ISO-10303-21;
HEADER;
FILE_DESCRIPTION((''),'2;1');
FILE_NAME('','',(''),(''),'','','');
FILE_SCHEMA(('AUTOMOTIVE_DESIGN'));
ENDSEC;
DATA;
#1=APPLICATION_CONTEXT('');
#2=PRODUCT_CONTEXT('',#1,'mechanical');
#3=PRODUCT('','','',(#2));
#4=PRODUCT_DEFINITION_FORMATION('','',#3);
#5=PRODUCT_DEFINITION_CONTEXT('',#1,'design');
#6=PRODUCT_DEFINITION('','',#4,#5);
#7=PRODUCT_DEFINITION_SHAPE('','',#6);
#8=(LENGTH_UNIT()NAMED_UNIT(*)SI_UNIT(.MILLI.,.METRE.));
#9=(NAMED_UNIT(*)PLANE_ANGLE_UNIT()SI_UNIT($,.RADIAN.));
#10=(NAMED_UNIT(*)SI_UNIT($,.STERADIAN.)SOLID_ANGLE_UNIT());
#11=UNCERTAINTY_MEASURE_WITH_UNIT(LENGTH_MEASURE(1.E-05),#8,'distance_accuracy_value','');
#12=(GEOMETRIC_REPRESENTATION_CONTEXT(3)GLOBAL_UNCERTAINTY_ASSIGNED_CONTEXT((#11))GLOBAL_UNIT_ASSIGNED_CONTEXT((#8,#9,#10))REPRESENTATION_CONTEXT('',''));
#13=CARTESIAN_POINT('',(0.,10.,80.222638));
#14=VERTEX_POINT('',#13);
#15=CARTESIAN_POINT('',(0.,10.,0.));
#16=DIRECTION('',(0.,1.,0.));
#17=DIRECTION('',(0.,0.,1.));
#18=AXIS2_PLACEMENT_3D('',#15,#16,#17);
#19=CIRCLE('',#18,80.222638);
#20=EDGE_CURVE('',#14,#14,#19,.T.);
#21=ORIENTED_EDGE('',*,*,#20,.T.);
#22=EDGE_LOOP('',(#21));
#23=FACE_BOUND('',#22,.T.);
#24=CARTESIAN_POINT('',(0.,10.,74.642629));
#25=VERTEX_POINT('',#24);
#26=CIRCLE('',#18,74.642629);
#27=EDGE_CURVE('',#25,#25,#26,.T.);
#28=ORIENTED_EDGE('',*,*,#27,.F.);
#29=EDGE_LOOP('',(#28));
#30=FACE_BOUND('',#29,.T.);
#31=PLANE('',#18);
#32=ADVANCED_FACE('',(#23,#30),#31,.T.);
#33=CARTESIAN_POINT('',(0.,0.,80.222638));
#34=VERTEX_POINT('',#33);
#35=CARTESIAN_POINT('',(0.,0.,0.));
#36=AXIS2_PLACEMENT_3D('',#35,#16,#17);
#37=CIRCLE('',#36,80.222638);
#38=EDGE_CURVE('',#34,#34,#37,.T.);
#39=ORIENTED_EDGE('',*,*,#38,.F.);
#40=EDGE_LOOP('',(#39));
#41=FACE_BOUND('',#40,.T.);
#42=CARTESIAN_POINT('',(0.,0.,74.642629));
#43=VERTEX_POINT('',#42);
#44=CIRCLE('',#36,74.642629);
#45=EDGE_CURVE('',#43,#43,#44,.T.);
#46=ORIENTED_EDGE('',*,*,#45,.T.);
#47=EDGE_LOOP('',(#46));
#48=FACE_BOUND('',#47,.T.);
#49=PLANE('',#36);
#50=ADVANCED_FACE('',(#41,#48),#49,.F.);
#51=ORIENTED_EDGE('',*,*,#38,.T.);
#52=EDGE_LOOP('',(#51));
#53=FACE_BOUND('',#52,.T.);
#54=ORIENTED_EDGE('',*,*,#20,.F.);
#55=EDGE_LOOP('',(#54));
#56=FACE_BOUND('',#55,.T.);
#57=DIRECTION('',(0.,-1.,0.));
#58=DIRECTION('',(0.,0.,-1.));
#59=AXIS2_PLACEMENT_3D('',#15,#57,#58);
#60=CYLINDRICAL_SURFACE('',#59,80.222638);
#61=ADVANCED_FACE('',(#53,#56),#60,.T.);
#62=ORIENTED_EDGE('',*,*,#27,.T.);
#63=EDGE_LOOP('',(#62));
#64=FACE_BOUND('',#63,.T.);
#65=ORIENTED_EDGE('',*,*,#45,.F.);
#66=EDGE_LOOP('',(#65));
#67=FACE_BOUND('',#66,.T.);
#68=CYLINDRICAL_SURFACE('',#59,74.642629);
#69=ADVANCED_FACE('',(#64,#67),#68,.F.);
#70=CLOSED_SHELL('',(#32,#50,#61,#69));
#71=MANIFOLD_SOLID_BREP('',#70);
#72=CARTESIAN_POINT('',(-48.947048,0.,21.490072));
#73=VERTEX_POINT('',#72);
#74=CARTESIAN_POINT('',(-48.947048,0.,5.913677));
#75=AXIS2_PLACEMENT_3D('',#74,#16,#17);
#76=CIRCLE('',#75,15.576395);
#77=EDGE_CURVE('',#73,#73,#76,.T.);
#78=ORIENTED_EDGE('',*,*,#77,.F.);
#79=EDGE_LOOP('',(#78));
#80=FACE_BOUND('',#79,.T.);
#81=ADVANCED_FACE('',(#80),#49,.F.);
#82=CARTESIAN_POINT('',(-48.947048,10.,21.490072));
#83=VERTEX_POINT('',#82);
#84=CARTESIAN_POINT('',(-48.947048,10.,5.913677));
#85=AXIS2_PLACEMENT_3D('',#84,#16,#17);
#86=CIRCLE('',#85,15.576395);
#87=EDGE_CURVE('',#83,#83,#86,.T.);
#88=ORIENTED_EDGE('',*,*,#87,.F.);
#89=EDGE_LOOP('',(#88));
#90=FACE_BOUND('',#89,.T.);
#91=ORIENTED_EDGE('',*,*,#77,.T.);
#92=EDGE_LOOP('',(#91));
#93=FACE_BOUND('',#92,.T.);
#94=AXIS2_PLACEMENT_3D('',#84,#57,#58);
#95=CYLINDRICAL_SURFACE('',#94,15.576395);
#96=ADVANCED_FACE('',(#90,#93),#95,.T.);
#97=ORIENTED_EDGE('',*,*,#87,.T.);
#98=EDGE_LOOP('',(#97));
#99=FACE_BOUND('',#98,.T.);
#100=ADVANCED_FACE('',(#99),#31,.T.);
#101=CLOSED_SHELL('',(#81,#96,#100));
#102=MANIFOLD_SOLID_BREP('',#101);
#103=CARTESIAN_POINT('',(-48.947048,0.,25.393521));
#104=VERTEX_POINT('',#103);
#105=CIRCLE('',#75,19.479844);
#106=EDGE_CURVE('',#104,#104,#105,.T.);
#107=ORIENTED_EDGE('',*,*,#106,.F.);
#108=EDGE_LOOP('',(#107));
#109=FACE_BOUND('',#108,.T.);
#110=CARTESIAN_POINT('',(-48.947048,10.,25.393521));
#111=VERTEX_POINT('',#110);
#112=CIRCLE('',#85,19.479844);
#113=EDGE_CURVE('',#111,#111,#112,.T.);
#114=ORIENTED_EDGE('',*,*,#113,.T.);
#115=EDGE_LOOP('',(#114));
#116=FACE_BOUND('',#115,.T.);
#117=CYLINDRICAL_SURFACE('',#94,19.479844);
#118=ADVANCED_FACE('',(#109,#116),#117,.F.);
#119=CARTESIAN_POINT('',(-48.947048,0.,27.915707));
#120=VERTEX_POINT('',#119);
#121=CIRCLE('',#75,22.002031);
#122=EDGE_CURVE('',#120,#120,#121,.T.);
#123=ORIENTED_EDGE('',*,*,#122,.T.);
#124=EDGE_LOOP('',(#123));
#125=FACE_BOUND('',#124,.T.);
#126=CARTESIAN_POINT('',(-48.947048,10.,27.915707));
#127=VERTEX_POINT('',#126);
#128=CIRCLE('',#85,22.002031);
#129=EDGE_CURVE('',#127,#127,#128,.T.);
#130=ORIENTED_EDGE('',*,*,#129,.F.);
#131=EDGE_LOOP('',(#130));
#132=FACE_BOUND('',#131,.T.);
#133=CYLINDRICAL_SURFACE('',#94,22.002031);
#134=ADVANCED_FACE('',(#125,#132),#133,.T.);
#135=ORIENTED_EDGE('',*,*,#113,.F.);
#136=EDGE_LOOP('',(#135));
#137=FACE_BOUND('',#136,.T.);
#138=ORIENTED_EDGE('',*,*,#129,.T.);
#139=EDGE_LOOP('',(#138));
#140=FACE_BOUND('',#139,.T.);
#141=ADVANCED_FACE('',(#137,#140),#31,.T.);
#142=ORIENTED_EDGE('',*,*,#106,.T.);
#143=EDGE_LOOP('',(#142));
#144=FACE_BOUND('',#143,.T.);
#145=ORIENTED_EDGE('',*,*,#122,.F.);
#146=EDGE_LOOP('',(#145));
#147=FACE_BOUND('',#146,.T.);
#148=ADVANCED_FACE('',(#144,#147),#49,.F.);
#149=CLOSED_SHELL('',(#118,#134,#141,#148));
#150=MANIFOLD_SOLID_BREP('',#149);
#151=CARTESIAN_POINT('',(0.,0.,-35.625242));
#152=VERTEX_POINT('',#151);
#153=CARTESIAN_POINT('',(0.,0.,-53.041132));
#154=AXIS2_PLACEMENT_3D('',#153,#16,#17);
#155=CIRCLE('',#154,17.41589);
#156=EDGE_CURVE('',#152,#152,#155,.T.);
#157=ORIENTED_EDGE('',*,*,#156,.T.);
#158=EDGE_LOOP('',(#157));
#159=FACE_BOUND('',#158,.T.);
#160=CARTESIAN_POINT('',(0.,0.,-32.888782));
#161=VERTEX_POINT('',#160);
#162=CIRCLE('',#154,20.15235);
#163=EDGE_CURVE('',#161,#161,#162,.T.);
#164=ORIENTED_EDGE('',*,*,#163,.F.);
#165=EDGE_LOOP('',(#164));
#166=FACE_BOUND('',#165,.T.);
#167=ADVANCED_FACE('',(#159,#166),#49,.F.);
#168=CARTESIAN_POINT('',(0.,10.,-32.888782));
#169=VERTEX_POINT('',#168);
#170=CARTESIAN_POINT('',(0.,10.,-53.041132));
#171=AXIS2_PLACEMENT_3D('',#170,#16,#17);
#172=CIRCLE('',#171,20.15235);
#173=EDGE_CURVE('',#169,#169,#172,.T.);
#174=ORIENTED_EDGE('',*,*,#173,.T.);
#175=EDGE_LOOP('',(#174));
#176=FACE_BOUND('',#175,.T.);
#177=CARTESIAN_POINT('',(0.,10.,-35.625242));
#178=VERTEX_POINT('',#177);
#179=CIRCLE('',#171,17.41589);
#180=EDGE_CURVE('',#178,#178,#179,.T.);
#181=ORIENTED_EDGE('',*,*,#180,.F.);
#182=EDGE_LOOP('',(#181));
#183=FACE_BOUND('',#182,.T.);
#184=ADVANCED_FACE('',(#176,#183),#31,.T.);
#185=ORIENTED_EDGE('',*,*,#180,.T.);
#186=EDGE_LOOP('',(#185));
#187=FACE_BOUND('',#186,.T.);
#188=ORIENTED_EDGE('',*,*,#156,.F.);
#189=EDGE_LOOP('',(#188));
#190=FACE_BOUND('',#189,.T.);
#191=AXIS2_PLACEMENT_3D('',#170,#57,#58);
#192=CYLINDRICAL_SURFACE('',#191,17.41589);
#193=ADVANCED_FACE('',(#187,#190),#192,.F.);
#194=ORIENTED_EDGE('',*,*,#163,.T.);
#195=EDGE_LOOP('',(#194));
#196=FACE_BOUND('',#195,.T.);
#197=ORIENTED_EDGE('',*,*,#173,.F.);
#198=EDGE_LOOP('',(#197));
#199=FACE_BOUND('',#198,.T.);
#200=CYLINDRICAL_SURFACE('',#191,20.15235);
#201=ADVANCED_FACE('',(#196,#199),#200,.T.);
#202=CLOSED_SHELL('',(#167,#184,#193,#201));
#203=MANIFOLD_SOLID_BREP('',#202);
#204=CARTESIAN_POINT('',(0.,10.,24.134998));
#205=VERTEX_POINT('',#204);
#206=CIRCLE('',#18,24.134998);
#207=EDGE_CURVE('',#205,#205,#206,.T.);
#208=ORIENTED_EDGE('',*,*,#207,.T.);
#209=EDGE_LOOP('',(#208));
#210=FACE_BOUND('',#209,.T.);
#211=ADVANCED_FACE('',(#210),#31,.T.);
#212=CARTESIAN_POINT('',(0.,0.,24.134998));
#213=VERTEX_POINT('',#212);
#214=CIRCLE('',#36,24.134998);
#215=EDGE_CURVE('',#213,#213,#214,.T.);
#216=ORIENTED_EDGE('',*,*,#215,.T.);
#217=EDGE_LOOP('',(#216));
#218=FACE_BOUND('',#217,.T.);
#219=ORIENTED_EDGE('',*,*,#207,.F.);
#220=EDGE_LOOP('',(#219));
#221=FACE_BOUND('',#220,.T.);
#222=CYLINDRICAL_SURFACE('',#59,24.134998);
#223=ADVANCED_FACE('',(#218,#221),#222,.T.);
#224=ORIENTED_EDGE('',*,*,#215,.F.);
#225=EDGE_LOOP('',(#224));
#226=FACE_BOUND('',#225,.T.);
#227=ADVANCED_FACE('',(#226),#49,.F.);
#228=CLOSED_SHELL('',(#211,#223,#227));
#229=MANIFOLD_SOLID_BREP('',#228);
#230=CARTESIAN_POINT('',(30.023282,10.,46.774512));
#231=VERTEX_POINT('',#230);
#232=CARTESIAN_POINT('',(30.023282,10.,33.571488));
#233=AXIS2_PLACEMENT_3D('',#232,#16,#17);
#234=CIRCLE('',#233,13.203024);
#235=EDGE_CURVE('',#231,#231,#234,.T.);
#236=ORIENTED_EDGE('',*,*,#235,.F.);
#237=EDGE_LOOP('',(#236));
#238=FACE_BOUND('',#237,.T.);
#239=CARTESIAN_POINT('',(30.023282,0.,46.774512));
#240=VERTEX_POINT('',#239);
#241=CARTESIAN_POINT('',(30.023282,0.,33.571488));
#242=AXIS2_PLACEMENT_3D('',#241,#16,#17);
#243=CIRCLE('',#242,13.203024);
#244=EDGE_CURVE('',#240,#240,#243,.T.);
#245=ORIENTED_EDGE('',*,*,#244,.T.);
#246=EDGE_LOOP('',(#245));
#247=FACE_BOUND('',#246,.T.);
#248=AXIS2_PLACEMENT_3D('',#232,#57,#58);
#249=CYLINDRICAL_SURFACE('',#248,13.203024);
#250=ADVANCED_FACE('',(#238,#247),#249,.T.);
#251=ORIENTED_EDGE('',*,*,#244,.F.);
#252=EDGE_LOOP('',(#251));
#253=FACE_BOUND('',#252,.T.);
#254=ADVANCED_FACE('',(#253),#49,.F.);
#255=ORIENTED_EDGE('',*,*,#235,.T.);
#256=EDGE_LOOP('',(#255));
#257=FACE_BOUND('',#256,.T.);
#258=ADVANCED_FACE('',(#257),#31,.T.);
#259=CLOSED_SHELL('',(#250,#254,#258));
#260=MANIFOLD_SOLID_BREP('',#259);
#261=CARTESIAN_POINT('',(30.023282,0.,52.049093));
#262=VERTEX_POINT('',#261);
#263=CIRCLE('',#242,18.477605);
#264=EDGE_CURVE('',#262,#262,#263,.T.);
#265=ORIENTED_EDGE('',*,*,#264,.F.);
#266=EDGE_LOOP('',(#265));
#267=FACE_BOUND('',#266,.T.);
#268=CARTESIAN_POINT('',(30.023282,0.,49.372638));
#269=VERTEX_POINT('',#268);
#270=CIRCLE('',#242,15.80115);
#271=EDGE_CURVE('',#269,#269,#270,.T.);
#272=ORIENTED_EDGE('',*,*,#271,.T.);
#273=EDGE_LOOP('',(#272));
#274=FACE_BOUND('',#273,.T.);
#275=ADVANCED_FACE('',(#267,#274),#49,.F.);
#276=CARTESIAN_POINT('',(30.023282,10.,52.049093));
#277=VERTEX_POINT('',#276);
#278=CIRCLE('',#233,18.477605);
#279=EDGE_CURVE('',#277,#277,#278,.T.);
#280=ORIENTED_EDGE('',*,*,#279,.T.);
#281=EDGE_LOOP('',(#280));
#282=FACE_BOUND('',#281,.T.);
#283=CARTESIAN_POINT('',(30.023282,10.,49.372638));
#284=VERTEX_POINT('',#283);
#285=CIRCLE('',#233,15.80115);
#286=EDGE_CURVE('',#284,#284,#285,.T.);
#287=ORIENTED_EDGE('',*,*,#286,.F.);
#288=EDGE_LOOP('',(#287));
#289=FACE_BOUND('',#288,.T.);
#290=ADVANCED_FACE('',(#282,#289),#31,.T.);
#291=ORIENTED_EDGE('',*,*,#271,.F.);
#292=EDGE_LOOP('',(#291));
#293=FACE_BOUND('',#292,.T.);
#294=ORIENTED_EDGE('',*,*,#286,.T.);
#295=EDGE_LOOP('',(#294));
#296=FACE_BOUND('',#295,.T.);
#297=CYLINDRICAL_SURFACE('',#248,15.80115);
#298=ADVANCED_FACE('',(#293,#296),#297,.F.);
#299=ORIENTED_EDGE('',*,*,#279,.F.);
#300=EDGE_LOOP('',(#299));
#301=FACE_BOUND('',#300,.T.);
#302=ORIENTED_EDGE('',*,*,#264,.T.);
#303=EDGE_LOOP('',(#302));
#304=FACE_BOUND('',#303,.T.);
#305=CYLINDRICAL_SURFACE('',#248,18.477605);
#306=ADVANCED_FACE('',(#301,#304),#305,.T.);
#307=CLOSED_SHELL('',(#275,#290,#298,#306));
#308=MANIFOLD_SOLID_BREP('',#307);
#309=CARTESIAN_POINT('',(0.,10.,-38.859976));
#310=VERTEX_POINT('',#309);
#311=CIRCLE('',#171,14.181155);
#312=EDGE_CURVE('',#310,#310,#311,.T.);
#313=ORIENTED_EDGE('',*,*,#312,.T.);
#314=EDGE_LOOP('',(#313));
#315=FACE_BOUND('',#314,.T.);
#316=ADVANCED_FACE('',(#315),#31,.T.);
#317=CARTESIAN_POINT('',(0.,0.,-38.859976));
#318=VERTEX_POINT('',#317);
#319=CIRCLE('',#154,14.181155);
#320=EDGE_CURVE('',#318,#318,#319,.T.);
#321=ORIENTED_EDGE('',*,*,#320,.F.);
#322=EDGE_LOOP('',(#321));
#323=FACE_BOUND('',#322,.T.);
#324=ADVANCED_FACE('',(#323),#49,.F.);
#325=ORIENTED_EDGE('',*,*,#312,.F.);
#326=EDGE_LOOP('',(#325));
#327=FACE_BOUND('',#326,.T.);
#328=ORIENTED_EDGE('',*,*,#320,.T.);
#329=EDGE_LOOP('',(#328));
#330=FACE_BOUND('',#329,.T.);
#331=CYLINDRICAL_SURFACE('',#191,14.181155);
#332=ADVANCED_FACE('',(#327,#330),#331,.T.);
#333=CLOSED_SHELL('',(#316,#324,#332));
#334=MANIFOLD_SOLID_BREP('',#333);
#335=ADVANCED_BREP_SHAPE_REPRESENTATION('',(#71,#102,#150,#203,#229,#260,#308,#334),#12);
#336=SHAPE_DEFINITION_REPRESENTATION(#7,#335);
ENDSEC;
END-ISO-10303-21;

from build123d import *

# Parameters (mm, degrees)
SKETCH1_R             = 80.222638377
SKETCH1_R_2           = 74.642628995
BOSS_EXTRUDE1_DEPTH   = 10
SKETCH1_R_3           = 24.134997674
BOSS_EXTRUDE1_2_DEPTH = 10
SKETCH1_R_4           = 15.576395098
BOSS_EXTRUDE1_3_DEPTH = 10
SKETCH1_R_5           = 22.002030522
SKETCH1_R_6           = 19.479844266
BOSS_EXTRUDE1_4_DEPTH = 10
SKETCH1_R_7           = 14.181155463
BOSS_EXTRUDE1_5_DEPTH = 10
SKETCH1_R_8           = 20.152350334
SKETCH1_R_9           = 17.415889713
BOSS_EXTRUDE1_6_DEPTH = 10
SKETCH1_R_10          = 13.203023979
BOSS_EXTRUDE1_7_DEPTH = 10
SKETCH1_R_11          = 18.477604897
SKETCH1_R_12          = 15.801149957
BOSS_EXTRUDE1_8_DEPTH = 10


with BuildPart() as part:
    # Sketch1 → Boss-Extrude1 (new body)
    with BuildSketch(Plane(origin=(0, 0, 0), x_dir=(1, 0, 0), z_dir=(0, 1, 0))):
        with Locations(Location((0, 0, 0), (0, 0, 270))):
            Circle(SKETCH1_R)
        with Locations(Location((0, 0, 0), (0, 0, 270))):
            Circle(SKETCH1_R_2, mode=Mode.SUBTRACT)
    extrude(amount=BOSS_EXTRUDE1_DEPTH)


with BuildPart() as body_2:
    # Sketch1 → Boss-Extrude1 2 (new body)
    with BuildSketch(Plane(origin=(0, 0, 0), x_dir=(1, 0, 0), z_dir=(0, 1, 0))):
        with Locations(Location((0, 0, 0), (0, 0, 270))):
            Circle(SKETCH1_R_3)
    extrude(amount=BOSS_EXTRUDE1_2_DEPTH)


with BuildPart() as body_3:
    # Sketch1 → Boss-Extrude1 3 (new body)
    with BuildSketch(Plane(origin=(0, 0, 0), x_dir=(1, 0, 0), z_dir=(0, 1, 0))):
        with Locations(Location((-48.947047963, -5.913676799, 0), (0, 0, 270))):
            Circle(SKETCH1_R_4)
    extrude(amount=BOSS_EXTRUDE1_3_DEPTH)


with BuildPart() as body_4:
    # Sketch1 → Boss-Extrude1 4 (new body)
    with BuildSketch(Plane(origin=(0, 0, 0), x_dir=(1, 0, 0), z_dir=(0, 1, 0))):
        with Locations(Location((-48.947047963, -5.913676799, 0), (0, 0, 270))):
            Circle(SKETCH1_R_5)
        with Locations(Location((-48.947047963, -5.913676799, 0), (0, 0, 270))):
            Circle(SKETCH1_R_6, mode=Mode.SUBTRACT)
    extrude(amount=BOSS_EXTRUDE1_4_DEPTH)


with BuildPart() as body_5:
    # Sketch1 → Boss-Extrude1 5 (new body)
    with BuildSketch(Plane(origin=(0, 0, 0), x_dir=(1, 0, 0), z_dir=(0, 1, 0))):
        with Locations(Location((0, 53.041131901, 0), (0, 0, 270))):
            Circle(SKETCH1_R_7)
    extrude(amount=BOSS_EXTRUDE1_5_DEPTH)


with BuildPart() as body_6:
    # Sketch1 → Boss-Extrude1 6 (new body)
    with BuildSketch(Plane(origin=(0, 0, 0), x_dir=(1, 0, 0), z_dir=(0, 1, 0))):
        with Locations(Location((0, 53.041131901, 0), (0, 0, 270))):
            Circle(SKETCH1_R_8)
        with Locations(Location((0, 53.041131901, 0), (0, 0, 270))):
            Circle(SKETCH1_R_9, mode=Mode.SUBTRACT)
    extrude(amount=BOSS_EXTRUDE1_6_DEPTH)


with BuildPart() as body_7:
    # Sketch1 → Boss-Extrude1 7 (new body)
    with BuildSketch(Plane(origin=(0, 0, 0), x_dir=(1, 0, 0), z_dir=(0, 1, 0))):
        with Locations(Location((30.023282208, -33.571488287, 0), (0, 0, 270))):
            Circle(SKETCH1_R_10)
    extrude(amount=BOSS_EXTRUDE1_7_DEPTH)


with BuildPart() as body_8:
    # Sketch1 → Boss-Extrude1 8 (new body)
    with BuildSketch(Plane(origin=(0, 0, 0), x_dir=(1, 0, 0), z_dir=(0, 1, 0))):
        with Locations(Location((30.023282208, -33.571488287, 0), (0, 0, 270))):
            Circle(SKETCH1_R_11)
        with Locations(Location((30.023282208, -33.571488287, 0), (0, 0, 270))):
            Circle(SKETCH1_R_12, mode=Mode.SUBTRACT)
    extrude(amount=BOSS_EXTRUDE1_8_DEPTH)


solid = Compound([part.part, body_2.part, body_3.part, body_4.part, body_5.part, body_6.part, body_7.part, body_8.part])
